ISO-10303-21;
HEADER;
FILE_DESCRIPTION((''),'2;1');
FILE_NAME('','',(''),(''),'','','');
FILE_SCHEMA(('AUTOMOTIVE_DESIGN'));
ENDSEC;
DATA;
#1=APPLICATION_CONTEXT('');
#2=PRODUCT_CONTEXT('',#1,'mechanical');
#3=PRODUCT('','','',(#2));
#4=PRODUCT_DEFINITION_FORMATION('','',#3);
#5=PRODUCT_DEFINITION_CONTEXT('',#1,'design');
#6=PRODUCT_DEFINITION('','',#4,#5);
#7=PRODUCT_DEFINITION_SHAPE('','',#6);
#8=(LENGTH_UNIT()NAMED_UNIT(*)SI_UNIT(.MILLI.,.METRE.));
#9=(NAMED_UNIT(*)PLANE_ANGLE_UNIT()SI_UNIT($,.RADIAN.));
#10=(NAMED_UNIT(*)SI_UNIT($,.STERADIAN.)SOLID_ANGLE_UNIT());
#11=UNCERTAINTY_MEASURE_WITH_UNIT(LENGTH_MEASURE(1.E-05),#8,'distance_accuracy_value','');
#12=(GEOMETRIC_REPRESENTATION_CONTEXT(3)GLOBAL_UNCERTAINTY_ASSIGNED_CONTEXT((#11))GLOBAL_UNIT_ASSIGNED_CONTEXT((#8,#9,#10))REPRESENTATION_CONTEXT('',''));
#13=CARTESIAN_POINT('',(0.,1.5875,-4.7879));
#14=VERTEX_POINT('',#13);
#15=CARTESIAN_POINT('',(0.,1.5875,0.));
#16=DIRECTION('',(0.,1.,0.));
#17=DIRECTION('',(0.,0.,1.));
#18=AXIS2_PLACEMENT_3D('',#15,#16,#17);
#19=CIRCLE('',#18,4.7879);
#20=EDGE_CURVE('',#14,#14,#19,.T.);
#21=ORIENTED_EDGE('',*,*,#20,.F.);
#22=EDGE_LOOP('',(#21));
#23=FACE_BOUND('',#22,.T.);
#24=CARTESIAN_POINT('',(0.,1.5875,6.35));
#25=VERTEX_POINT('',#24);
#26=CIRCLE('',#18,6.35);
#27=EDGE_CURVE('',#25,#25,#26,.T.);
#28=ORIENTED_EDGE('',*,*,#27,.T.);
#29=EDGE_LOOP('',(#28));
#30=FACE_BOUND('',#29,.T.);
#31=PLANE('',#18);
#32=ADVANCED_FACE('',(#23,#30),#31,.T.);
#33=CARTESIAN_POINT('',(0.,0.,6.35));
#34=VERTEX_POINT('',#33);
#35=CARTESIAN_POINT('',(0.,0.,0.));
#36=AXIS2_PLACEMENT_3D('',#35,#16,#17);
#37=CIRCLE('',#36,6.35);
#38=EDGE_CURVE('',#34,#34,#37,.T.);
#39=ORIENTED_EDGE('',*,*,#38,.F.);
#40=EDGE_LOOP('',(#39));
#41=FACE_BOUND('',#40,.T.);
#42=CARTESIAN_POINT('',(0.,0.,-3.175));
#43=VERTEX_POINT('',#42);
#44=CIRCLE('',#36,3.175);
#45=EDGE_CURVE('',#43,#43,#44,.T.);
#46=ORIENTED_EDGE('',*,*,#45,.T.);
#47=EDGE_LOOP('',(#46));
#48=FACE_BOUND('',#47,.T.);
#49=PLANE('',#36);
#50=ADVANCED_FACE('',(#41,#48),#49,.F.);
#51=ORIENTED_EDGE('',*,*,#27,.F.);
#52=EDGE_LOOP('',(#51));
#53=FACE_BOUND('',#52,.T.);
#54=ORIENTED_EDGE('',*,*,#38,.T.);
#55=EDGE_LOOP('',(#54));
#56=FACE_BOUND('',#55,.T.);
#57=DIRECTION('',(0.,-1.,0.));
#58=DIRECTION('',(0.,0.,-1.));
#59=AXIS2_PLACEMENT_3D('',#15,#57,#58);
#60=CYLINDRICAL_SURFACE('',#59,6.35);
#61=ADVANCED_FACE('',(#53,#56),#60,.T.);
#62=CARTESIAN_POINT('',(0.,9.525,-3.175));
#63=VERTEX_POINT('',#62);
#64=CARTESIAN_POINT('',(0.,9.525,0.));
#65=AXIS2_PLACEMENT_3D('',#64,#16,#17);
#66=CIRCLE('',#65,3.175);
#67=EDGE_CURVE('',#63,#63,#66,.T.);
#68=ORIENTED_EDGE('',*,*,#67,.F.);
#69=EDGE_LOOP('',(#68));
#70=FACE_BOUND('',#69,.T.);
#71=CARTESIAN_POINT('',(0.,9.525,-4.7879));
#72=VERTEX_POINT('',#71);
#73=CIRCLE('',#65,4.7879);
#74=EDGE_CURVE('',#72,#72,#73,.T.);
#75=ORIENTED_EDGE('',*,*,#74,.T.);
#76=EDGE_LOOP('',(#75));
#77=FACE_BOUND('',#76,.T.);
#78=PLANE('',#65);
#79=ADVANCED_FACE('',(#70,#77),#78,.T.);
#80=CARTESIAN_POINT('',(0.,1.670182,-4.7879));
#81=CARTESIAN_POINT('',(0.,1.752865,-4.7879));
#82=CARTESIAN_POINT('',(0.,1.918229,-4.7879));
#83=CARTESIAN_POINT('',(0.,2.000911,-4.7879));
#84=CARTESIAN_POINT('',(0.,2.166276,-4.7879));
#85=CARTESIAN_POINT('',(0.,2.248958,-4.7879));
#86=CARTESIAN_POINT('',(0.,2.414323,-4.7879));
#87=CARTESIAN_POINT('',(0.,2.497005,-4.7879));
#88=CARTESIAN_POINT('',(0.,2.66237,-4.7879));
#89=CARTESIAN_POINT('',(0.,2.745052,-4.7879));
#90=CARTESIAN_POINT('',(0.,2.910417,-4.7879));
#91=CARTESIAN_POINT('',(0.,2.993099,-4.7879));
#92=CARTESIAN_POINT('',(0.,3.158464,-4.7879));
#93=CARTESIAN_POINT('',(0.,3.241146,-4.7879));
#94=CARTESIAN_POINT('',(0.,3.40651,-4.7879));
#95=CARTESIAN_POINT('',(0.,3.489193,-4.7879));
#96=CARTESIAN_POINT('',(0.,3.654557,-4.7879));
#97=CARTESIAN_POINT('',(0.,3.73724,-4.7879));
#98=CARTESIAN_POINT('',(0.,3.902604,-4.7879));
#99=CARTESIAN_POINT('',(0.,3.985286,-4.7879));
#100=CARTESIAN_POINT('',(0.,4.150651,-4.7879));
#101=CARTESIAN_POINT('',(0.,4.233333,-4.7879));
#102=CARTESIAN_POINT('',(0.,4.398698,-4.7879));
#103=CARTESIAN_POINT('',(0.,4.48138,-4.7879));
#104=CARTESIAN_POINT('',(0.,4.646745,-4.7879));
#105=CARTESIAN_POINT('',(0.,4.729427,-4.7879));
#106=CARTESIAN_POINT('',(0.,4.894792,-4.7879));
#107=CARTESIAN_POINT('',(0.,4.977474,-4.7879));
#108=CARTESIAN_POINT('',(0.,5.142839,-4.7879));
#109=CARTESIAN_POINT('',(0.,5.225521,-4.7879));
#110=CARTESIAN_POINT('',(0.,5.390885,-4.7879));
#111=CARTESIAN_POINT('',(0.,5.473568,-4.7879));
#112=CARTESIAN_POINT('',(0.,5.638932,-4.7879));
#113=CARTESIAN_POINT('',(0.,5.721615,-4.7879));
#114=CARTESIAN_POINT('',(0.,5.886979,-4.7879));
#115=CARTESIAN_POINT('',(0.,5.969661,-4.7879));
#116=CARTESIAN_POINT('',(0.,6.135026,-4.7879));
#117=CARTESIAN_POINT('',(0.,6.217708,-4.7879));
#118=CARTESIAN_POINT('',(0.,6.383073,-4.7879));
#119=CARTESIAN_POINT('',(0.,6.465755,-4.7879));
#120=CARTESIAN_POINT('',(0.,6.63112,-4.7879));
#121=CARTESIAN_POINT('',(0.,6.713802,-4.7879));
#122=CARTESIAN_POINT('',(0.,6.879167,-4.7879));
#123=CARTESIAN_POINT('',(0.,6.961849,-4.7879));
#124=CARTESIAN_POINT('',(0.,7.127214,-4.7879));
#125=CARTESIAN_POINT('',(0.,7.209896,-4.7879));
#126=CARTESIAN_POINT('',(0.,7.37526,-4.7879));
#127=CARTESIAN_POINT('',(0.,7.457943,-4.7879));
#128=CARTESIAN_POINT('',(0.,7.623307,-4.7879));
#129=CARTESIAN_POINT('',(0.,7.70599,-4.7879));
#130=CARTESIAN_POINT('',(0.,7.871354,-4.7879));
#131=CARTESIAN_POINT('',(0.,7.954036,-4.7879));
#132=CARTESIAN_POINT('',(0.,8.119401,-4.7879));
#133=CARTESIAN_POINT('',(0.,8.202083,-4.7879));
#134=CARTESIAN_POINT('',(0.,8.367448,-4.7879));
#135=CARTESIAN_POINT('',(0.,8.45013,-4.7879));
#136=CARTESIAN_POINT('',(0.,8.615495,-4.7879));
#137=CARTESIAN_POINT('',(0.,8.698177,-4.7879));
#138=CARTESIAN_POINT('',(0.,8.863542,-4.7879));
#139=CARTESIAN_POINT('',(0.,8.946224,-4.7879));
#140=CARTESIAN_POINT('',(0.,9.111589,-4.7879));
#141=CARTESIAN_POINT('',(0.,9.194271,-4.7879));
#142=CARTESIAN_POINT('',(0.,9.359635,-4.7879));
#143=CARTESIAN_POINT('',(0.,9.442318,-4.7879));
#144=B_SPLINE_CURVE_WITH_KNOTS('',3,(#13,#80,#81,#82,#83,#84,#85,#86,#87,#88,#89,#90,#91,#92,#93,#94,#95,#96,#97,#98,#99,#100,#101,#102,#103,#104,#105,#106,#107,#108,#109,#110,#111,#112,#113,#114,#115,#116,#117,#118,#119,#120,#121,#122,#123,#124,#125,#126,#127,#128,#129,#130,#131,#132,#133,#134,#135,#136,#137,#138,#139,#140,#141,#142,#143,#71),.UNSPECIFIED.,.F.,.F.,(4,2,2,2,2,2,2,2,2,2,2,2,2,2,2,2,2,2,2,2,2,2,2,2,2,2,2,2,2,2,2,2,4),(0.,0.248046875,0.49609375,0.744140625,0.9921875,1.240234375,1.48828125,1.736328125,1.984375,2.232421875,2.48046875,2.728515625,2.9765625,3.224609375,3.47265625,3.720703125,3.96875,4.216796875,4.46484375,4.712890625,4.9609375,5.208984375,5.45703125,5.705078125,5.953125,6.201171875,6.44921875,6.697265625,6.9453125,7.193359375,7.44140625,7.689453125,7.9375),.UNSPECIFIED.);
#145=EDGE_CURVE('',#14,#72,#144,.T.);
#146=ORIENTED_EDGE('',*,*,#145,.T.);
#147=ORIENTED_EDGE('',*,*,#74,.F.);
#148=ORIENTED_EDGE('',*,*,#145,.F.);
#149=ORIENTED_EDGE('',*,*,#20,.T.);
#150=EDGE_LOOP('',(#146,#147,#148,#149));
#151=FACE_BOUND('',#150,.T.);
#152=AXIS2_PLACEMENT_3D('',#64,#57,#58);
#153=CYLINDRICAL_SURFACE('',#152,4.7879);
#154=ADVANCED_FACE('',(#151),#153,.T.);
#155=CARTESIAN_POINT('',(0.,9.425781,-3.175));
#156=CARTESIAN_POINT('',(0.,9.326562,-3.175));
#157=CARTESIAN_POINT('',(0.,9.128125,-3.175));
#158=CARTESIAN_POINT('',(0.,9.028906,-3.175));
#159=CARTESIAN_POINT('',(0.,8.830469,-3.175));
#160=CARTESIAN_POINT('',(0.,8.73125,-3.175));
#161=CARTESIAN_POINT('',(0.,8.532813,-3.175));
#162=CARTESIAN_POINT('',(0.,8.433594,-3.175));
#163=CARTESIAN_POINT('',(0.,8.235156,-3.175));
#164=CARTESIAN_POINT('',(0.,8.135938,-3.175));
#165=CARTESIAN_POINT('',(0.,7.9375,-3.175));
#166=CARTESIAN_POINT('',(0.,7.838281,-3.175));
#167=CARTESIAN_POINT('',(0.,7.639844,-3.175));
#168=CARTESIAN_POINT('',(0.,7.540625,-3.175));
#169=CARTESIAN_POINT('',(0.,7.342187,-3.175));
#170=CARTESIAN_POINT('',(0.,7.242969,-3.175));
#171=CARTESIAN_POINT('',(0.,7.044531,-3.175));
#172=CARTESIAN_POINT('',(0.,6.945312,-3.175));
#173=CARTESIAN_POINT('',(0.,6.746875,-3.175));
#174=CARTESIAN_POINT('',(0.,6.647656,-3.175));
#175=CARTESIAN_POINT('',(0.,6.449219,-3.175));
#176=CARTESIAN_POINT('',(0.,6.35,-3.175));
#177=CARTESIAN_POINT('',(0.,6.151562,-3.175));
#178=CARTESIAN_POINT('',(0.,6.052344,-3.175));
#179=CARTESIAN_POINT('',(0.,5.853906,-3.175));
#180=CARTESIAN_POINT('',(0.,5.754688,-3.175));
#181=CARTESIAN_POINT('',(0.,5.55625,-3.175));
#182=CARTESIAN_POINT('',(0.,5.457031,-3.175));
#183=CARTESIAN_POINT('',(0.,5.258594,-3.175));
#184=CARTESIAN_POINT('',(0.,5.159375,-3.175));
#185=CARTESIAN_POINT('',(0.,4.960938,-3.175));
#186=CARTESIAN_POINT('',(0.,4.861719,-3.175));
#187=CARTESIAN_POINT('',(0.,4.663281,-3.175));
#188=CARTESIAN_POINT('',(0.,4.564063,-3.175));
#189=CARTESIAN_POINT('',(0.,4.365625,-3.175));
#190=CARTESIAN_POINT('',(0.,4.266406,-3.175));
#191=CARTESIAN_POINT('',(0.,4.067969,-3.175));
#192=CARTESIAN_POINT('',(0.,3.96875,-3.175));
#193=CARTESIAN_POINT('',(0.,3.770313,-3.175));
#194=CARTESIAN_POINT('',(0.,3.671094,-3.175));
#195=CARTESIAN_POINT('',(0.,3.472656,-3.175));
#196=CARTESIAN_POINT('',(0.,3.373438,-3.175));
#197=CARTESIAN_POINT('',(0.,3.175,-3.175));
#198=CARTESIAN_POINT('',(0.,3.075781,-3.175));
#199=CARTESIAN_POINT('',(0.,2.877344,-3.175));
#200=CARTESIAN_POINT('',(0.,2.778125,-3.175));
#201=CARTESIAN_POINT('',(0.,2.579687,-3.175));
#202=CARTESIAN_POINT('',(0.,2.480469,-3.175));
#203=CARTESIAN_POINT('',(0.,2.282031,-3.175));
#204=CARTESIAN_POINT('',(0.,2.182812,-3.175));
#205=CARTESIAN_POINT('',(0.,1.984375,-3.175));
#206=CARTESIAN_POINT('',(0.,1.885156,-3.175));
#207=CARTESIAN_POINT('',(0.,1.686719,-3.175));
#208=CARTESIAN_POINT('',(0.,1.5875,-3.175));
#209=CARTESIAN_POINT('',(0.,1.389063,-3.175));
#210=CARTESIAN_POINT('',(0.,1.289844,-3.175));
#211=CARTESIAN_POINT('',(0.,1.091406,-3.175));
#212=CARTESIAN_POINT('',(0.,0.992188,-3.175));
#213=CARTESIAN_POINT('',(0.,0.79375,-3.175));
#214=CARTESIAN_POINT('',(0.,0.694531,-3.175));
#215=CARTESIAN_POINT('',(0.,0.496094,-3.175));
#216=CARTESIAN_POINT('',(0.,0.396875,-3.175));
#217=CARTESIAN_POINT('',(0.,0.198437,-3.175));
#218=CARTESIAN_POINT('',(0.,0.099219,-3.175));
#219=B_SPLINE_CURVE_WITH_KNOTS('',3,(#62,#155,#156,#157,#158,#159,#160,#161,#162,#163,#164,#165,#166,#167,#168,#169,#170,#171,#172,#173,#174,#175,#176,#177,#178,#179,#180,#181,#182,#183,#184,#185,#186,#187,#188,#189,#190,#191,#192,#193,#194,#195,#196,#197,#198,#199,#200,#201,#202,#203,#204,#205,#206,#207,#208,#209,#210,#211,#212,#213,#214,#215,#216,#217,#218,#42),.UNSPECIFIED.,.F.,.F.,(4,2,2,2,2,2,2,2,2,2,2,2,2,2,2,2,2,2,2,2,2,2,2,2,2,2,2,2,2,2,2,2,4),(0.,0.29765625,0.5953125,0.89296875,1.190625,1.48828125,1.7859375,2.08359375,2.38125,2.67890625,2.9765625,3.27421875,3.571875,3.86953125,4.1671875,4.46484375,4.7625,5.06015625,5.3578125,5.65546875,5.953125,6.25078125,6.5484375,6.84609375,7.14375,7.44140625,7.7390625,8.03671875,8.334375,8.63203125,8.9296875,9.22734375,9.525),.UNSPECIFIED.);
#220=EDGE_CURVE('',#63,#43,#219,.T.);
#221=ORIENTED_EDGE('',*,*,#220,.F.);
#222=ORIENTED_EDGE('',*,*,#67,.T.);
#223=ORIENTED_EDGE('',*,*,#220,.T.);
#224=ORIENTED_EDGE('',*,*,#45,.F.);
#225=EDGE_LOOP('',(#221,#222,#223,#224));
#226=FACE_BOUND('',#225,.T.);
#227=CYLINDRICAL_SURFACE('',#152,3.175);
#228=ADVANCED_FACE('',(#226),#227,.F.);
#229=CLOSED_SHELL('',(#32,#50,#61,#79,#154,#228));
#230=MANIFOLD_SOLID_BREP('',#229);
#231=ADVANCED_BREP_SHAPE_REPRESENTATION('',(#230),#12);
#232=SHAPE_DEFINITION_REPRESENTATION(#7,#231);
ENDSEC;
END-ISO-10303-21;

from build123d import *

# Parameters (mm, degrees)
SKETCH2_R           = 4.7879
SKETCH2_R_2         = 3.175
BOSS_EXTRUDE1_DEPTH = 9.525
SKETCH3_R           = 6.35
SKETCH3_R_2         = 4.7879
BOSS_EXTRUDE2_DEPTH = 1.5875


with BuildPart() as part:
    # Sketch2 → Boss-Extrude1 (new body)
    with BuildSketch(Plane(origin=(0, 0, 0), x_dir=(1, 0, 0), z_dir=(0, 1, 0))):
        with Locations(Location((0, 0, 0), (0, 0, 90))):
            Circle(SKETCH2_R)
        with Locations(Location((0, 0, 0), (0, 0, 90))):
            Circle(SKETCH2_R_2, mode=Mode.SUBTRACT)
    extrude(amount=BOSS_EXTRUDE1_DEPTH)

    # Sketch3 → Boss-Extrude2 (add)
    with BuildSketch(Plane(origin=(0, 0, 0), x_dir=(1, 0, 0), z_dir=(0, 1, 0))):
        with Locations(Location((0, 0, 0), (0, 0, 270))):
            Circle(SKETCH3_R)
        with Locations(Location((0, 0, 0), (0, 0, 90))):
            Circle(SKETCH3_R_2, mode=Mode.SUBTRACT)
    extrude(amount=BOSS_EXTRUDE2_DEPTH)


solid = part.part
